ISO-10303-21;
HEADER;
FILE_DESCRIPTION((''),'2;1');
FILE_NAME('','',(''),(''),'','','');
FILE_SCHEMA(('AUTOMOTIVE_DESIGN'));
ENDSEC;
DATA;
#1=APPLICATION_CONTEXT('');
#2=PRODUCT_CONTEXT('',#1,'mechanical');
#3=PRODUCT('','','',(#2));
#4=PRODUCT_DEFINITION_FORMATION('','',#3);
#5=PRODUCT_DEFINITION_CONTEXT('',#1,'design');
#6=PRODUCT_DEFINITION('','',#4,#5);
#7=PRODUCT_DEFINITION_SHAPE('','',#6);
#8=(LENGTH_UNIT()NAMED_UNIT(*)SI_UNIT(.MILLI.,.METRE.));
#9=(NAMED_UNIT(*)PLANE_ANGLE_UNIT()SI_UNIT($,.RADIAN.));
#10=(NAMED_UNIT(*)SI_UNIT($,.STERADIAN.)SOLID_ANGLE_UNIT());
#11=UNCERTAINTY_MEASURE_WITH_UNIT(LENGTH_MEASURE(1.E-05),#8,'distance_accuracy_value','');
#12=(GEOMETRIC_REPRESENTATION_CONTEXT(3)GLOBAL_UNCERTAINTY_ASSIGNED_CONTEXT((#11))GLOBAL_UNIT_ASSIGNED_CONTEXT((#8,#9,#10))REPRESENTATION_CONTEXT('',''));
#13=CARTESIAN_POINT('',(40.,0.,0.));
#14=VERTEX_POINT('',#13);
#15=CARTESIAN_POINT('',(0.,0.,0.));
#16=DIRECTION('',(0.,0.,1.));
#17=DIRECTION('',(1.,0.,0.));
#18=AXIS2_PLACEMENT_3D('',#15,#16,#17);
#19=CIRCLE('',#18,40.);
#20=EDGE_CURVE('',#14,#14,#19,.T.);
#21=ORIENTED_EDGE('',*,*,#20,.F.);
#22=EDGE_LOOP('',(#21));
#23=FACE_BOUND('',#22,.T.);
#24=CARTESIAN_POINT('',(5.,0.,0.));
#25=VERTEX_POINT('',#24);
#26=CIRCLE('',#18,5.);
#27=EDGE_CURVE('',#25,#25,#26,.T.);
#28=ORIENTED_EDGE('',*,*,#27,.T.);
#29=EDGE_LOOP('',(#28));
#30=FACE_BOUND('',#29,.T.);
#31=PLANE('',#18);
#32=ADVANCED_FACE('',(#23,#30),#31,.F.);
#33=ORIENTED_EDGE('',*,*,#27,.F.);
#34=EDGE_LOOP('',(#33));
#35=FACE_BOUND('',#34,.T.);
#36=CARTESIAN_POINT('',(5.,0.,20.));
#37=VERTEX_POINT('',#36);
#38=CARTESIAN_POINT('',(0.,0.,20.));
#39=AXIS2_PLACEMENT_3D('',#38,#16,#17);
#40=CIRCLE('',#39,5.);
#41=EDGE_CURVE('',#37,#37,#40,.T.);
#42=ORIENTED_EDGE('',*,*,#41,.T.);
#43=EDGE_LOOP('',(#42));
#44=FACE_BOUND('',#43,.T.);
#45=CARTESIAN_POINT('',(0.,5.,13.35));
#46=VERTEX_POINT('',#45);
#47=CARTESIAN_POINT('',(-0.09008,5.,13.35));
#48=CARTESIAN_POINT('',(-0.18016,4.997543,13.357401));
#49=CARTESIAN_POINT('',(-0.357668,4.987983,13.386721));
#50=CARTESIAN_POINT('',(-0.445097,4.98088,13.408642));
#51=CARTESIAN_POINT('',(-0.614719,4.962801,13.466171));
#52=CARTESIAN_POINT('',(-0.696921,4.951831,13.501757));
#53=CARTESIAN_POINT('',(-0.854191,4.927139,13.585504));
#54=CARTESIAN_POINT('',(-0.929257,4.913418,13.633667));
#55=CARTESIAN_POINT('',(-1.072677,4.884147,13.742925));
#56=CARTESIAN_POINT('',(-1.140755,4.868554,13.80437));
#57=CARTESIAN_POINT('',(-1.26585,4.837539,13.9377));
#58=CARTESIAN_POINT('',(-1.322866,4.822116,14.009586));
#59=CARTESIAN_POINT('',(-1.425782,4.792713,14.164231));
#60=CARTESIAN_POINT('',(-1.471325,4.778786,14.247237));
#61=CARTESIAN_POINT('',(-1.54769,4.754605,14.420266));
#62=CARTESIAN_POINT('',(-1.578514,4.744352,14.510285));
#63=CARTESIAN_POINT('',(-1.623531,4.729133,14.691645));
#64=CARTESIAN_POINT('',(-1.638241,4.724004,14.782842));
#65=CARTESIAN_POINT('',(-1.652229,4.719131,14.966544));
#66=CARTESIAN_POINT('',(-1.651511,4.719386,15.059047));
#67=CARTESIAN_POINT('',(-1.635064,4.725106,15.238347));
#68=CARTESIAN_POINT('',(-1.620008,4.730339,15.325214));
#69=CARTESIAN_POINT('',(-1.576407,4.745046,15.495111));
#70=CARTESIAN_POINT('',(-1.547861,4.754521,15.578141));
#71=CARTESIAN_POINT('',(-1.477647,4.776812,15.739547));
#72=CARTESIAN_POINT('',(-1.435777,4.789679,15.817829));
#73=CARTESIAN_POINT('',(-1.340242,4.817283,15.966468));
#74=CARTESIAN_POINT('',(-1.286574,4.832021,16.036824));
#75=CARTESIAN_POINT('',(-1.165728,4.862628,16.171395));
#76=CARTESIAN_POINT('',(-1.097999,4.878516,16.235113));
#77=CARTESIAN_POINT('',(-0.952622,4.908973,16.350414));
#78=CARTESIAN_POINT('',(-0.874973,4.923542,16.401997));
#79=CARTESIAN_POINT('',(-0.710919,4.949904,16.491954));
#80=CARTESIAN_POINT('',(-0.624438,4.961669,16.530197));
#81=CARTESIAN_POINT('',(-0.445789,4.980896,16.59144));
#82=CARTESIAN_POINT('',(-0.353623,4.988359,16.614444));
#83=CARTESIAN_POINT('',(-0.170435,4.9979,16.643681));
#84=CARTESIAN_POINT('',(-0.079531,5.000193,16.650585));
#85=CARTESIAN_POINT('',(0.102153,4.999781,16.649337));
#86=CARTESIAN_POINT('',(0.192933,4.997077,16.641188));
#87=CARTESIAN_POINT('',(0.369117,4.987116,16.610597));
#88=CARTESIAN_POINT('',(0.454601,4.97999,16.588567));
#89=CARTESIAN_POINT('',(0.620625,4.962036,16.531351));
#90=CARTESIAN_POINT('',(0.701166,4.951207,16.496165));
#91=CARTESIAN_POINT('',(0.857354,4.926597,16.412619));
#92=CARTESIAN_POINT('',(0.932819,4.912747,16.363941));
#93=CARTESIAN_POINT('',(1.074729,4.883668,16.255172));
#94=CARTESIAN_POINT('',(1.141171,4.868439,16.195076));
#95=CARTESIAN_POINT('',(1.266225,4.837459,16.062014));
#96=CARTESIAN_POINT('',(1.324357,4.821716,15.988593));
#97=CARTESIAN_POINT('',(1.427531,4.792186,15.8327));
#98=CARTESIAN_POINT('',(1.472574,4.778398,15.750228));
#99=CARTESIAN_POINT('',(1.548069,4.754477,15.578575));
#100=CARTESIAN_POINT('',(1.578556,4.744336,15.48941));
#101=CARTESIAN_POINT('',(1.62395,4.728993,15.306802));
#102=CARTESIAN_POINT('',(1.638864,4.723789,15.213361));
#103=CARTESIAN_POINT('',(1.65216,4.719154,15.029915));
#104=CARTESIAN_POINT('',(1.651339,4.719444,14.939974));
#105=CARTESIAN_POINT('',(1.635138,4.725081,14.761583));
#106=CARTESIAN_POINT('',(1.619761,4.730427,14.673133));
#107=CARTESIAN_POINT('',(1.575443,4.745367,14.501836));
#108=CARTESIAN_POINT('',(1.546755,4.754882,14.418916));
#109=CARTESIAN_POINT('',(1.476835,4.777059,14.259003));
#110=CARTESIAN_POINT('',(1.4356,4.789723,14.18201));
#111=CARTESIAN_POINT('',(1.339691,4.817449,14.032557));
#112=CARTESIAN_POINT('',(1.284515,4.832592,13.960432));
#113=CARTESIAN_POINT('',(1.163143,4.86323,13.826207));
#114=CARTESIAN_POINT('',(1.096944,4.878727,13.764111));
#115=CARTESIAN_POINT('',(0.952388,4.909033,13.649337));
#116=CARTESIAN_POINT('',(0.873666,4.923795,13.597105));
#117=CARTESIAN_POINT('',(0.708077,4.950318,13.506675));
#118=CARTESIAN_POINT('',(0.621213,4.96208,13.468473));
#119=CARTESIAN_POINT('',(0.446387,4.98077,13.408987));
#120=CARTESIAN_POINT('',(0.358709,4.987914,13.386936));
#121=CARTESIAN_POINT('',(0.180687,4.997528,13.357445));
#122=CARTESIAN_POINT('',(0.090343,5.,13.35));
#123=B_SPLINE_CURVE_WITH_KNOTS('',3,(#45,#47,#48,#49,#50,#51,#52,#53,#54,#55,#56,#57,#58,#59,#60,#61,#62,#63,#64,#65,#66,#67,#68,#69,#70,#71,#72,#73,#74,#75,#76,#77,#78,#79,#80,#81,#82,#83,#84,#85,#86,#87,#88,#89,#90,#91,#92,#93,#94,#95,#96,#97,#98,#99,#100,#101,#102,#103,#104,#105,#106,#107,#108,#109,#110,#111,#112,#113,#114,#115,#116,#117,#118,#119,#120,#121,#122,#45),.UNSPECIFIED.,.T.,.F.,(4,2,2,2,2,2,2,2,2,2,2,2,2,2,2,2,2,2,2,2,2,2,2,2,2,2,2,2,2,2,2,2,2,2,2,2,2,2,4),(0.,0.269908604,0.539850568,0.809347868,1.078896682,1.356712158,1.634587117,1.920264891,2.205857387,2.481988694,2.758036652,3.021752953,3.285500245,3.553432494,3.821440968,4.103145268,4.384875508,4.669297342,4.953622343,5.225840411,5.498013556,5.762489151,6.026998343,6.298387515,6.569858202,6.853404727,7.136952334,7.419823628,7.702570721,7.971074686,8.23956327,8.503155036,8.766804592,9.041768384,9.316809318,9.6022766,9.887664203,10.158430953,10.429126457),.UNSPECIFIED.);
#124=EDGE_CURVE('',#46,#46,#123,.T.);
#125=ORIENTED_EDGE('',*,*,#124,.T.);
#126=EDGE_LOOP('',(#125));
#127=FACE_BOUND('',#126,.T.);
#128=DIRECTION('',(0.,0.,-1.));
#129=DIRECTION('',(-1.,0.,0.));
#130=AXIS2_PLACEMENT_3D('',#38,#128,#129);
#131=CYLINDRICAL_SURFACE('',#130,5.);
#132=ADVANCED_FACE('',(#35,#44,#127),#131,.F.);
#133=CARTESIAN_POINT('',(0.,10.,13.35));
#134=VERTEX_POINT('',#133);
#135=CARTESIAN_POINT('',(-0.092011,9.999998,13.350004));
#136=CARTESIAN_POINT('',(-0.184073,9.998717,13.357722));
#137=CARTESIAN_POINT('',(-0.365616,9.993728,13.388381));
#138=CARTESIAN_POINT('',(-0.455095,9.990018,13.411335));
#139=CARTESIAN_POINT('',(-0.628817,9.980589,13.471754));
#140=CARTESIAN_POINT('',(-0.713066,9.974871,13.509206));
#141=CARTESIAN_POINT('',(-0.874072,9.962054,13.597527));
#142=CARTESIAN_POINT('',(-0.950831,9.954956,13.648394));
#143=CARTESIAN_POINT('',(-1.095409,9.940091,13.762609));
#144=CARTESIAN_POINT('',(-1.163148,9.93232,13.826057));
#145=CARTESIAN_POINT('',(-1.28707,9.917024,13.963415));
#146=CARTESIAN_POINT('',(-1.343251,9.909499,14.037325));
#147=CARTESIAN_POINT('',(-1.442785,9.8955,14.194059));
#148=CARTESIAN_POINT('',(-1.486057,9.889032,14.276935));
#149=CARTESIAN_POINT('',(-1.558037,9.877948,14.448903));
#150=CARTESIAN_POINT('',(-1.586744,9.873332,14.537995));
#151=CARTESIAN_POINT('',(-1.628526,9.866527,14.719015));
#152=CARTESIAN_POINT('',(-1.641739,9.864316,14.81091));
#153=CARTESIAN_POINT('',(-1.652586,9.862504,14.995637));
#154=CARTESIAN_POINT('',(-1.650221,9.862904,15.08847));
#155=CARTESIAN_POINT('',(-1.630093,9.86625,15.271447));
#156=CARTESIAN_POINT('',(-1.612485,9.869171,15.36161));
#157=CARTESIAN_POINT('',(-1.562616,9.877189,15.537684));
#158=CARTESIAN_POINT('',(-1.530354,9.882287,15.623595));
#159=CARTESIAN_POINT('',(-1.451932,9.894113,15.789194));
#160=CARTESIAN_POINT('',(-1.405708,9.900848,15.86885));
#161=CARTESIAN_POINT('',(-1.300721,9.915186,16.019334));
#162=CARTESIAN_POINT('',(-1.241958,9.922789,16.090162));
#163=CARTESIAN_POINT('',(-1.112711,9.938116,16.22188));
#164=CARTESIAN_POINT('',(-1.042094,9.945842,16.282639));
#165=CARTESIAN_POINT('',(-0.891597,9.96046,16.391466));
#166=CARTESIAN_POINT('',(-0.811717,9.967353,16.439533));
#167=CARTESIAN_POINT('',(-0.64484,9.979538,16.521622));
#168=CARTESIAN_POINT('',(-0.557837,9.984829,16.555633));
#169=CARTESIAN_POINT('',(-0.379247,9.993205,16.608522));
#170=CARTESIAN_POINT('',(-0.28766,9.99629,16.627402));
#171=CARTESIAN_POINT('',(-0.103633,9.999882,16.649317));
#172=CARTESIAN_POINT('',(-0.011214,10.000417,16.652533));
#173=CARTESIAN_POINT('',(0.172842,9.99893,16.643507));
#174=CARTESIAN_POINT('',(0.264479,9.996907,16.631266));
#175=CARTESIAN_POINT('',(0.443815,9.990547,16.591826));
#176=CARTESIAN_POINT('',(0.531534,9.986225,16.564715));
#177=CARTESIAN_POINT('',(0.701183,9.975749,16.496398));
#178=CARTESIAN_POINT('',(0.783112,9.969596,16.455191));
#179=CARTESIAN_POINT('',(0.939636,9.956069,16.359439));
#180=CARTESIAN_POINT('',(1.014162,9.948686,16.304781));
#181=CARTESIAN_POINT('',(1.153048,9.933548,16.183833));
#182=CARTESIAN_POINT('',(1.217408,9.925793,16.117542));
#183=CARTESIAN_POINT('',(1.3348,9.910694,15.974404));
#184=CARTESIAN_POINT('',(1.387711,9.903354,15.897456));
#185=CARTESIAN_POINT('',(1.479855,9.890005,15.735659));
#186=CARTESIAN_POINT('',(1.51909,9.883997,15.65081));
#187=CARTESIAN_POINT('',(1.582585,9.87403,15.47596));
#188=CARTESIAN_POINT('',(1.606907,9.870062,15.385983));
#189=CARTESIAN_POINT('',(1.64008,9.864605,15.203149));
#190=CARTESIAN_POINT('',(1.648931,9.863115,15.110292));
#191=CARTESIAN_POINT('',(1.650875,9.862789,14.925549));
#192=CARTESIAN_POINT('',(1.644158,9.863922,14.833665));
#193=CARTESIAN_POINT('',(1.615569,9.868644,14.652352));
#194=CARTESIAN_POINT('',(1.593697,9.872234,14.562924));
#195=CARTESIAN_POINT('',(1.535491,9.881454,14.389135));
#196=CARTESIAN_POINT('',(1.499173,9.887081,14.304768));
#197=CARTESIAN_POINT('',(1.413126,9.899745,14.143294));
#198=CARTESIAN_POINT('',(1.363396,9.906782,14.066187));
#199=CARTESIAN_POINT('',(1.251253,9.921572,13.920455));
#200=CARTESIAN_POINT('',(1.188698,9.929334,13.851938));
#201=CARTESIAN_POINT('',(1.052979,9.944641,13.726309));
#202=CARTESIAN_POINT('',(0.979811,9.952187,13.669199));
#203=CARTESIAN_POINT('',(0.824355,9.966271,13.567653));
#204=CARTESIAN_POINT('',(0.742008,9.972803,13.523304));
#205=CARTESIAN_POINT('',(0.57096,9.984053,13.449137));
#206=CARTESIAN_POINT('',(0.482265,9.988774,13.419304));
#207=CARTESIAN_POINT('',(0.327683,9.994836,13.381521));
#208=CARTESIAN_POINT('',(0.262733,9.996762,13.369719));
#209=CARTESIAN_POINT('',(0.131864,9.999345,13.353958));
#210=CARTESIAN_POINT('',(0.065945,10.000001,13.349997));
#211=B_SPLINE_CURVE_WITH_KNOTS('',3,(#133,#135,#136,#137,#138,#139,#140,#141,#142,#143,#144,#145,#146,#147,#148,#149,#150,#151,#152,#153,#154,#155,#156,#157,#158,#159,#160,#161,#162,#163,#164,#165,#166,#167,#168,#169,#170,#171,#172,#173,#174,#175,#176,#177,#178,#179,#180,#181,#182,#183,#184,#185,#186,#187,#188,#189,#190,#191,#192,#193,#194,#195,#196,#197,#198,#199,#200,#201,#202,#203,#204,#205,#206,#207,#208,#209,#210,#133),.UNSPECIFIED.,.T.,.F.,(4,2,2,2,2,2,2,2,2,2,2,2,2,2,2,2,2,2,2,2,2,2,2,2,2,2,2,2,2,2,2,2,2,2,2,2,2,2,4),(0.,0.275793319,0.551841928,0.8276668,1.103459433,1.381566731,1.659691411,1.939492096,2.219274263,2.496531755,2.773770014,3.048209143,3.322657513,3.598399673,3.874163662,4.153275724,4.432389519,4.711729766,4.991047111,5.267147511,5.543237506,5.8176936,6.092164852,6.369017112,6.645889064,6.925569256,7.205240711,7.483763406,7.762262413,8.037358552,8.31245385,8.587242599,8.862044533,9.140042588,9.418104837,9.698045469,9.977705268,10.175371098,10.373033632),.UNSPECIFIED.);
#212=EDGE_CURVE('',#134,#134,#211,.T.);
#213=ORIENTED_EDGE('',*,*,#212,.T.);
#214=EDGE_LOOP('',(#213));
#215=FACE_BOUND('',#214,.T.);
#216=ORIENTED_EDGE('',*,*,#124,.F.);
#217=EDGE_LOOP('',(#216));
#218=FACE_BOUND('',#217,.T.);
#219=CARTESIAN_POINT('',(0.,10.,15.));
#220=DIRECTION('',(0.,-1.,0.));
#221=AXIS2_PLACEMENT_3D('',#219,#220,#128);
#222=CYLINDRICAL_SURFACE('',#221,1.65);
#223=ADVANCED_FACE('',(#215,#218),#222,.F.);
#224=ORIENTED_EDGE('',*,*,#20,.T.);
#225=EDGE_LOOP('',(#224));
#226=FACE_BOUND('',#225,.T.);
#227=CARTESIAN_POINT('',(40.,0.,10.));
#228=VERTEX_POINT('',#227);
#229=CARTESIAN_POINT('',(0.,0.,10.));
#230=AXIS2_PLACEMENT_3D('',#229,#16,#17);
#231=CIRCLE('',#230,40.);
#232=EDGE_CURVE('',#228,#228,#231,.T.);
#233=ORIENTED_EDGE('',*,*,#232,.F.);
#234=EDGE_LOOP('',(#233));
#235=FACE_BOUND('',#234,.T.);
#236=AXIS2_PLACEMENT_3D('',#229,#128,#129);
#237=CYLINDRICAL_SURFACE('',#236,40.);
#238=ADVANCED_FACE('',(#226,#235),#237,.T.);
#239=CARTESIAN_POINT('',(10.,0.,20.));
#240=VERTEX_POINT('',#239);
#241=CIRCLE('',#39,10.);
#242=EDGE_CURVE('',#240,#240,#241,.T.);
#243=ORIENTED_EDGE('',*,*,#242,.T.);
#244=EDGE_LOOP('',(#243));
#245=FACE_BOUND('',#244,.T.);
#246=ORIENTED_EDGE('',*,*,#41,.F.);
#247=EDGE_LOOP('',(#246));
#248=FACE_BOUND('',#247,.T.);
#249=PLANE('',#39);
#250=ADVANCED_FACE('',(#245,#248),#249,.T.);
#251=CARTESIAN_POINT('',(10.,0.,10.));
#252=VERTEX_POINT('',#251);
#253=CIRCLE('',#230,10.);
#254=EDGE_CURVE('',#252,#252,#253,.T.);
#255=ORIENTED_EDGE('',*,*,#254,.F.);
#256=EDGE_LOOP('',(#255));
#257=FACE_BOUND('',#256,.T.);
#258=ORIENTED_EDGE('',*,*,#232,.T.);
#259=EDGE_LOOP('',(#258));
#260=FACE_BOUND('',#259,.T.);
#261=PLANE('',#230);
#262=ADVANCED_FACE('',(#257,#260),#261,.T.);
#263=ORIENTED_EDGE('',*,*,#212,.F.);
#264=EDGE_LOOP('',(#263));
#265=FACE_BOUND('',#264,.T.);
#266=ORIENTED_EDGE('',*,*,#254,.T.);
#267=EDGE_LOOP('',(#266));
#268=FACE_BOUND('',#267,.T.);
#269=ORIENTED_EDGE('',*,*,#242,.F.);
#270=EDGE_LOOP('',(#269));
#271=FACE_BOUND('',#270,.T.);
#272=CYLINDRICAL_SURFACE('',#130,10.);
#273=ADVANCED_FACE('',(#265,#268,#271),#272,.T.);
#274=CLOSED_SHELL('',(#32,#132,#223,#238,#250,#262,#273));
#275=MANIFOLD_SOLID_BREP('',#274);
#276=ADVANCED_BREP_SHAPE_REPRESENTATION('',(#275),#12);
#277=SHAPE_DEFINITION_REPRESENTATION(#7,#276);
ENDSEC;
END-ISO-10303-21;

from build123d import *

# Parameters (mm, degrees)
SKETCH1_R           = 40
BOSS_EXTRUDE1_DEPTH = 10
SKETCH2_R           = 10
BOSS_EXTRUDE2_DEPTH = 10
SKETCH3_R           = 5
CUT_EXTRUDE1_DEPTH  = 20
SKETCH4_R           = 1.65
CUT_EXTRUDE2_DEPTH  = 10


with BuildPart() as part:
    # Sketch1 → Boss-Extrude1 (new body)
    with BuildSketch(Plane.XY):
        Circle(SKETCH1_R)
    extrude(amount=BOSS_EXTRUDE1_DEPTH)

    # Sketch2 → Boss-Extrude2 (add)
    with BuildSketch(Plane.XY.offset(10)):
        Circle(SKETCH2_R)
    extrude(amount=BOSS_EXTRUDE2_DEPTH)

    # Sketch3 → Cut-Extrude1 (cut)
    with BuildSketch(Plane.XY):
        Circle(SKETCH3_R)
    extrude(amount=CUT_EXTRUDE1_DEPTH, mode=Mode.SUBTRACT)

    # Sketch4 → Cut-Extrude2 (cut)
    with BuildSketch(Plane(origin=(0, 0, 0), x_dir=(1, 0, 0), z_dir=(0, 1, 0))):
        with Locations((0, -15)):
            Circle(SKETCH4_R)
    extrude(amount=CUT_EXTRUDE2_DEPTH, mode=Mode.SUBTRACT)


solid = part.part
